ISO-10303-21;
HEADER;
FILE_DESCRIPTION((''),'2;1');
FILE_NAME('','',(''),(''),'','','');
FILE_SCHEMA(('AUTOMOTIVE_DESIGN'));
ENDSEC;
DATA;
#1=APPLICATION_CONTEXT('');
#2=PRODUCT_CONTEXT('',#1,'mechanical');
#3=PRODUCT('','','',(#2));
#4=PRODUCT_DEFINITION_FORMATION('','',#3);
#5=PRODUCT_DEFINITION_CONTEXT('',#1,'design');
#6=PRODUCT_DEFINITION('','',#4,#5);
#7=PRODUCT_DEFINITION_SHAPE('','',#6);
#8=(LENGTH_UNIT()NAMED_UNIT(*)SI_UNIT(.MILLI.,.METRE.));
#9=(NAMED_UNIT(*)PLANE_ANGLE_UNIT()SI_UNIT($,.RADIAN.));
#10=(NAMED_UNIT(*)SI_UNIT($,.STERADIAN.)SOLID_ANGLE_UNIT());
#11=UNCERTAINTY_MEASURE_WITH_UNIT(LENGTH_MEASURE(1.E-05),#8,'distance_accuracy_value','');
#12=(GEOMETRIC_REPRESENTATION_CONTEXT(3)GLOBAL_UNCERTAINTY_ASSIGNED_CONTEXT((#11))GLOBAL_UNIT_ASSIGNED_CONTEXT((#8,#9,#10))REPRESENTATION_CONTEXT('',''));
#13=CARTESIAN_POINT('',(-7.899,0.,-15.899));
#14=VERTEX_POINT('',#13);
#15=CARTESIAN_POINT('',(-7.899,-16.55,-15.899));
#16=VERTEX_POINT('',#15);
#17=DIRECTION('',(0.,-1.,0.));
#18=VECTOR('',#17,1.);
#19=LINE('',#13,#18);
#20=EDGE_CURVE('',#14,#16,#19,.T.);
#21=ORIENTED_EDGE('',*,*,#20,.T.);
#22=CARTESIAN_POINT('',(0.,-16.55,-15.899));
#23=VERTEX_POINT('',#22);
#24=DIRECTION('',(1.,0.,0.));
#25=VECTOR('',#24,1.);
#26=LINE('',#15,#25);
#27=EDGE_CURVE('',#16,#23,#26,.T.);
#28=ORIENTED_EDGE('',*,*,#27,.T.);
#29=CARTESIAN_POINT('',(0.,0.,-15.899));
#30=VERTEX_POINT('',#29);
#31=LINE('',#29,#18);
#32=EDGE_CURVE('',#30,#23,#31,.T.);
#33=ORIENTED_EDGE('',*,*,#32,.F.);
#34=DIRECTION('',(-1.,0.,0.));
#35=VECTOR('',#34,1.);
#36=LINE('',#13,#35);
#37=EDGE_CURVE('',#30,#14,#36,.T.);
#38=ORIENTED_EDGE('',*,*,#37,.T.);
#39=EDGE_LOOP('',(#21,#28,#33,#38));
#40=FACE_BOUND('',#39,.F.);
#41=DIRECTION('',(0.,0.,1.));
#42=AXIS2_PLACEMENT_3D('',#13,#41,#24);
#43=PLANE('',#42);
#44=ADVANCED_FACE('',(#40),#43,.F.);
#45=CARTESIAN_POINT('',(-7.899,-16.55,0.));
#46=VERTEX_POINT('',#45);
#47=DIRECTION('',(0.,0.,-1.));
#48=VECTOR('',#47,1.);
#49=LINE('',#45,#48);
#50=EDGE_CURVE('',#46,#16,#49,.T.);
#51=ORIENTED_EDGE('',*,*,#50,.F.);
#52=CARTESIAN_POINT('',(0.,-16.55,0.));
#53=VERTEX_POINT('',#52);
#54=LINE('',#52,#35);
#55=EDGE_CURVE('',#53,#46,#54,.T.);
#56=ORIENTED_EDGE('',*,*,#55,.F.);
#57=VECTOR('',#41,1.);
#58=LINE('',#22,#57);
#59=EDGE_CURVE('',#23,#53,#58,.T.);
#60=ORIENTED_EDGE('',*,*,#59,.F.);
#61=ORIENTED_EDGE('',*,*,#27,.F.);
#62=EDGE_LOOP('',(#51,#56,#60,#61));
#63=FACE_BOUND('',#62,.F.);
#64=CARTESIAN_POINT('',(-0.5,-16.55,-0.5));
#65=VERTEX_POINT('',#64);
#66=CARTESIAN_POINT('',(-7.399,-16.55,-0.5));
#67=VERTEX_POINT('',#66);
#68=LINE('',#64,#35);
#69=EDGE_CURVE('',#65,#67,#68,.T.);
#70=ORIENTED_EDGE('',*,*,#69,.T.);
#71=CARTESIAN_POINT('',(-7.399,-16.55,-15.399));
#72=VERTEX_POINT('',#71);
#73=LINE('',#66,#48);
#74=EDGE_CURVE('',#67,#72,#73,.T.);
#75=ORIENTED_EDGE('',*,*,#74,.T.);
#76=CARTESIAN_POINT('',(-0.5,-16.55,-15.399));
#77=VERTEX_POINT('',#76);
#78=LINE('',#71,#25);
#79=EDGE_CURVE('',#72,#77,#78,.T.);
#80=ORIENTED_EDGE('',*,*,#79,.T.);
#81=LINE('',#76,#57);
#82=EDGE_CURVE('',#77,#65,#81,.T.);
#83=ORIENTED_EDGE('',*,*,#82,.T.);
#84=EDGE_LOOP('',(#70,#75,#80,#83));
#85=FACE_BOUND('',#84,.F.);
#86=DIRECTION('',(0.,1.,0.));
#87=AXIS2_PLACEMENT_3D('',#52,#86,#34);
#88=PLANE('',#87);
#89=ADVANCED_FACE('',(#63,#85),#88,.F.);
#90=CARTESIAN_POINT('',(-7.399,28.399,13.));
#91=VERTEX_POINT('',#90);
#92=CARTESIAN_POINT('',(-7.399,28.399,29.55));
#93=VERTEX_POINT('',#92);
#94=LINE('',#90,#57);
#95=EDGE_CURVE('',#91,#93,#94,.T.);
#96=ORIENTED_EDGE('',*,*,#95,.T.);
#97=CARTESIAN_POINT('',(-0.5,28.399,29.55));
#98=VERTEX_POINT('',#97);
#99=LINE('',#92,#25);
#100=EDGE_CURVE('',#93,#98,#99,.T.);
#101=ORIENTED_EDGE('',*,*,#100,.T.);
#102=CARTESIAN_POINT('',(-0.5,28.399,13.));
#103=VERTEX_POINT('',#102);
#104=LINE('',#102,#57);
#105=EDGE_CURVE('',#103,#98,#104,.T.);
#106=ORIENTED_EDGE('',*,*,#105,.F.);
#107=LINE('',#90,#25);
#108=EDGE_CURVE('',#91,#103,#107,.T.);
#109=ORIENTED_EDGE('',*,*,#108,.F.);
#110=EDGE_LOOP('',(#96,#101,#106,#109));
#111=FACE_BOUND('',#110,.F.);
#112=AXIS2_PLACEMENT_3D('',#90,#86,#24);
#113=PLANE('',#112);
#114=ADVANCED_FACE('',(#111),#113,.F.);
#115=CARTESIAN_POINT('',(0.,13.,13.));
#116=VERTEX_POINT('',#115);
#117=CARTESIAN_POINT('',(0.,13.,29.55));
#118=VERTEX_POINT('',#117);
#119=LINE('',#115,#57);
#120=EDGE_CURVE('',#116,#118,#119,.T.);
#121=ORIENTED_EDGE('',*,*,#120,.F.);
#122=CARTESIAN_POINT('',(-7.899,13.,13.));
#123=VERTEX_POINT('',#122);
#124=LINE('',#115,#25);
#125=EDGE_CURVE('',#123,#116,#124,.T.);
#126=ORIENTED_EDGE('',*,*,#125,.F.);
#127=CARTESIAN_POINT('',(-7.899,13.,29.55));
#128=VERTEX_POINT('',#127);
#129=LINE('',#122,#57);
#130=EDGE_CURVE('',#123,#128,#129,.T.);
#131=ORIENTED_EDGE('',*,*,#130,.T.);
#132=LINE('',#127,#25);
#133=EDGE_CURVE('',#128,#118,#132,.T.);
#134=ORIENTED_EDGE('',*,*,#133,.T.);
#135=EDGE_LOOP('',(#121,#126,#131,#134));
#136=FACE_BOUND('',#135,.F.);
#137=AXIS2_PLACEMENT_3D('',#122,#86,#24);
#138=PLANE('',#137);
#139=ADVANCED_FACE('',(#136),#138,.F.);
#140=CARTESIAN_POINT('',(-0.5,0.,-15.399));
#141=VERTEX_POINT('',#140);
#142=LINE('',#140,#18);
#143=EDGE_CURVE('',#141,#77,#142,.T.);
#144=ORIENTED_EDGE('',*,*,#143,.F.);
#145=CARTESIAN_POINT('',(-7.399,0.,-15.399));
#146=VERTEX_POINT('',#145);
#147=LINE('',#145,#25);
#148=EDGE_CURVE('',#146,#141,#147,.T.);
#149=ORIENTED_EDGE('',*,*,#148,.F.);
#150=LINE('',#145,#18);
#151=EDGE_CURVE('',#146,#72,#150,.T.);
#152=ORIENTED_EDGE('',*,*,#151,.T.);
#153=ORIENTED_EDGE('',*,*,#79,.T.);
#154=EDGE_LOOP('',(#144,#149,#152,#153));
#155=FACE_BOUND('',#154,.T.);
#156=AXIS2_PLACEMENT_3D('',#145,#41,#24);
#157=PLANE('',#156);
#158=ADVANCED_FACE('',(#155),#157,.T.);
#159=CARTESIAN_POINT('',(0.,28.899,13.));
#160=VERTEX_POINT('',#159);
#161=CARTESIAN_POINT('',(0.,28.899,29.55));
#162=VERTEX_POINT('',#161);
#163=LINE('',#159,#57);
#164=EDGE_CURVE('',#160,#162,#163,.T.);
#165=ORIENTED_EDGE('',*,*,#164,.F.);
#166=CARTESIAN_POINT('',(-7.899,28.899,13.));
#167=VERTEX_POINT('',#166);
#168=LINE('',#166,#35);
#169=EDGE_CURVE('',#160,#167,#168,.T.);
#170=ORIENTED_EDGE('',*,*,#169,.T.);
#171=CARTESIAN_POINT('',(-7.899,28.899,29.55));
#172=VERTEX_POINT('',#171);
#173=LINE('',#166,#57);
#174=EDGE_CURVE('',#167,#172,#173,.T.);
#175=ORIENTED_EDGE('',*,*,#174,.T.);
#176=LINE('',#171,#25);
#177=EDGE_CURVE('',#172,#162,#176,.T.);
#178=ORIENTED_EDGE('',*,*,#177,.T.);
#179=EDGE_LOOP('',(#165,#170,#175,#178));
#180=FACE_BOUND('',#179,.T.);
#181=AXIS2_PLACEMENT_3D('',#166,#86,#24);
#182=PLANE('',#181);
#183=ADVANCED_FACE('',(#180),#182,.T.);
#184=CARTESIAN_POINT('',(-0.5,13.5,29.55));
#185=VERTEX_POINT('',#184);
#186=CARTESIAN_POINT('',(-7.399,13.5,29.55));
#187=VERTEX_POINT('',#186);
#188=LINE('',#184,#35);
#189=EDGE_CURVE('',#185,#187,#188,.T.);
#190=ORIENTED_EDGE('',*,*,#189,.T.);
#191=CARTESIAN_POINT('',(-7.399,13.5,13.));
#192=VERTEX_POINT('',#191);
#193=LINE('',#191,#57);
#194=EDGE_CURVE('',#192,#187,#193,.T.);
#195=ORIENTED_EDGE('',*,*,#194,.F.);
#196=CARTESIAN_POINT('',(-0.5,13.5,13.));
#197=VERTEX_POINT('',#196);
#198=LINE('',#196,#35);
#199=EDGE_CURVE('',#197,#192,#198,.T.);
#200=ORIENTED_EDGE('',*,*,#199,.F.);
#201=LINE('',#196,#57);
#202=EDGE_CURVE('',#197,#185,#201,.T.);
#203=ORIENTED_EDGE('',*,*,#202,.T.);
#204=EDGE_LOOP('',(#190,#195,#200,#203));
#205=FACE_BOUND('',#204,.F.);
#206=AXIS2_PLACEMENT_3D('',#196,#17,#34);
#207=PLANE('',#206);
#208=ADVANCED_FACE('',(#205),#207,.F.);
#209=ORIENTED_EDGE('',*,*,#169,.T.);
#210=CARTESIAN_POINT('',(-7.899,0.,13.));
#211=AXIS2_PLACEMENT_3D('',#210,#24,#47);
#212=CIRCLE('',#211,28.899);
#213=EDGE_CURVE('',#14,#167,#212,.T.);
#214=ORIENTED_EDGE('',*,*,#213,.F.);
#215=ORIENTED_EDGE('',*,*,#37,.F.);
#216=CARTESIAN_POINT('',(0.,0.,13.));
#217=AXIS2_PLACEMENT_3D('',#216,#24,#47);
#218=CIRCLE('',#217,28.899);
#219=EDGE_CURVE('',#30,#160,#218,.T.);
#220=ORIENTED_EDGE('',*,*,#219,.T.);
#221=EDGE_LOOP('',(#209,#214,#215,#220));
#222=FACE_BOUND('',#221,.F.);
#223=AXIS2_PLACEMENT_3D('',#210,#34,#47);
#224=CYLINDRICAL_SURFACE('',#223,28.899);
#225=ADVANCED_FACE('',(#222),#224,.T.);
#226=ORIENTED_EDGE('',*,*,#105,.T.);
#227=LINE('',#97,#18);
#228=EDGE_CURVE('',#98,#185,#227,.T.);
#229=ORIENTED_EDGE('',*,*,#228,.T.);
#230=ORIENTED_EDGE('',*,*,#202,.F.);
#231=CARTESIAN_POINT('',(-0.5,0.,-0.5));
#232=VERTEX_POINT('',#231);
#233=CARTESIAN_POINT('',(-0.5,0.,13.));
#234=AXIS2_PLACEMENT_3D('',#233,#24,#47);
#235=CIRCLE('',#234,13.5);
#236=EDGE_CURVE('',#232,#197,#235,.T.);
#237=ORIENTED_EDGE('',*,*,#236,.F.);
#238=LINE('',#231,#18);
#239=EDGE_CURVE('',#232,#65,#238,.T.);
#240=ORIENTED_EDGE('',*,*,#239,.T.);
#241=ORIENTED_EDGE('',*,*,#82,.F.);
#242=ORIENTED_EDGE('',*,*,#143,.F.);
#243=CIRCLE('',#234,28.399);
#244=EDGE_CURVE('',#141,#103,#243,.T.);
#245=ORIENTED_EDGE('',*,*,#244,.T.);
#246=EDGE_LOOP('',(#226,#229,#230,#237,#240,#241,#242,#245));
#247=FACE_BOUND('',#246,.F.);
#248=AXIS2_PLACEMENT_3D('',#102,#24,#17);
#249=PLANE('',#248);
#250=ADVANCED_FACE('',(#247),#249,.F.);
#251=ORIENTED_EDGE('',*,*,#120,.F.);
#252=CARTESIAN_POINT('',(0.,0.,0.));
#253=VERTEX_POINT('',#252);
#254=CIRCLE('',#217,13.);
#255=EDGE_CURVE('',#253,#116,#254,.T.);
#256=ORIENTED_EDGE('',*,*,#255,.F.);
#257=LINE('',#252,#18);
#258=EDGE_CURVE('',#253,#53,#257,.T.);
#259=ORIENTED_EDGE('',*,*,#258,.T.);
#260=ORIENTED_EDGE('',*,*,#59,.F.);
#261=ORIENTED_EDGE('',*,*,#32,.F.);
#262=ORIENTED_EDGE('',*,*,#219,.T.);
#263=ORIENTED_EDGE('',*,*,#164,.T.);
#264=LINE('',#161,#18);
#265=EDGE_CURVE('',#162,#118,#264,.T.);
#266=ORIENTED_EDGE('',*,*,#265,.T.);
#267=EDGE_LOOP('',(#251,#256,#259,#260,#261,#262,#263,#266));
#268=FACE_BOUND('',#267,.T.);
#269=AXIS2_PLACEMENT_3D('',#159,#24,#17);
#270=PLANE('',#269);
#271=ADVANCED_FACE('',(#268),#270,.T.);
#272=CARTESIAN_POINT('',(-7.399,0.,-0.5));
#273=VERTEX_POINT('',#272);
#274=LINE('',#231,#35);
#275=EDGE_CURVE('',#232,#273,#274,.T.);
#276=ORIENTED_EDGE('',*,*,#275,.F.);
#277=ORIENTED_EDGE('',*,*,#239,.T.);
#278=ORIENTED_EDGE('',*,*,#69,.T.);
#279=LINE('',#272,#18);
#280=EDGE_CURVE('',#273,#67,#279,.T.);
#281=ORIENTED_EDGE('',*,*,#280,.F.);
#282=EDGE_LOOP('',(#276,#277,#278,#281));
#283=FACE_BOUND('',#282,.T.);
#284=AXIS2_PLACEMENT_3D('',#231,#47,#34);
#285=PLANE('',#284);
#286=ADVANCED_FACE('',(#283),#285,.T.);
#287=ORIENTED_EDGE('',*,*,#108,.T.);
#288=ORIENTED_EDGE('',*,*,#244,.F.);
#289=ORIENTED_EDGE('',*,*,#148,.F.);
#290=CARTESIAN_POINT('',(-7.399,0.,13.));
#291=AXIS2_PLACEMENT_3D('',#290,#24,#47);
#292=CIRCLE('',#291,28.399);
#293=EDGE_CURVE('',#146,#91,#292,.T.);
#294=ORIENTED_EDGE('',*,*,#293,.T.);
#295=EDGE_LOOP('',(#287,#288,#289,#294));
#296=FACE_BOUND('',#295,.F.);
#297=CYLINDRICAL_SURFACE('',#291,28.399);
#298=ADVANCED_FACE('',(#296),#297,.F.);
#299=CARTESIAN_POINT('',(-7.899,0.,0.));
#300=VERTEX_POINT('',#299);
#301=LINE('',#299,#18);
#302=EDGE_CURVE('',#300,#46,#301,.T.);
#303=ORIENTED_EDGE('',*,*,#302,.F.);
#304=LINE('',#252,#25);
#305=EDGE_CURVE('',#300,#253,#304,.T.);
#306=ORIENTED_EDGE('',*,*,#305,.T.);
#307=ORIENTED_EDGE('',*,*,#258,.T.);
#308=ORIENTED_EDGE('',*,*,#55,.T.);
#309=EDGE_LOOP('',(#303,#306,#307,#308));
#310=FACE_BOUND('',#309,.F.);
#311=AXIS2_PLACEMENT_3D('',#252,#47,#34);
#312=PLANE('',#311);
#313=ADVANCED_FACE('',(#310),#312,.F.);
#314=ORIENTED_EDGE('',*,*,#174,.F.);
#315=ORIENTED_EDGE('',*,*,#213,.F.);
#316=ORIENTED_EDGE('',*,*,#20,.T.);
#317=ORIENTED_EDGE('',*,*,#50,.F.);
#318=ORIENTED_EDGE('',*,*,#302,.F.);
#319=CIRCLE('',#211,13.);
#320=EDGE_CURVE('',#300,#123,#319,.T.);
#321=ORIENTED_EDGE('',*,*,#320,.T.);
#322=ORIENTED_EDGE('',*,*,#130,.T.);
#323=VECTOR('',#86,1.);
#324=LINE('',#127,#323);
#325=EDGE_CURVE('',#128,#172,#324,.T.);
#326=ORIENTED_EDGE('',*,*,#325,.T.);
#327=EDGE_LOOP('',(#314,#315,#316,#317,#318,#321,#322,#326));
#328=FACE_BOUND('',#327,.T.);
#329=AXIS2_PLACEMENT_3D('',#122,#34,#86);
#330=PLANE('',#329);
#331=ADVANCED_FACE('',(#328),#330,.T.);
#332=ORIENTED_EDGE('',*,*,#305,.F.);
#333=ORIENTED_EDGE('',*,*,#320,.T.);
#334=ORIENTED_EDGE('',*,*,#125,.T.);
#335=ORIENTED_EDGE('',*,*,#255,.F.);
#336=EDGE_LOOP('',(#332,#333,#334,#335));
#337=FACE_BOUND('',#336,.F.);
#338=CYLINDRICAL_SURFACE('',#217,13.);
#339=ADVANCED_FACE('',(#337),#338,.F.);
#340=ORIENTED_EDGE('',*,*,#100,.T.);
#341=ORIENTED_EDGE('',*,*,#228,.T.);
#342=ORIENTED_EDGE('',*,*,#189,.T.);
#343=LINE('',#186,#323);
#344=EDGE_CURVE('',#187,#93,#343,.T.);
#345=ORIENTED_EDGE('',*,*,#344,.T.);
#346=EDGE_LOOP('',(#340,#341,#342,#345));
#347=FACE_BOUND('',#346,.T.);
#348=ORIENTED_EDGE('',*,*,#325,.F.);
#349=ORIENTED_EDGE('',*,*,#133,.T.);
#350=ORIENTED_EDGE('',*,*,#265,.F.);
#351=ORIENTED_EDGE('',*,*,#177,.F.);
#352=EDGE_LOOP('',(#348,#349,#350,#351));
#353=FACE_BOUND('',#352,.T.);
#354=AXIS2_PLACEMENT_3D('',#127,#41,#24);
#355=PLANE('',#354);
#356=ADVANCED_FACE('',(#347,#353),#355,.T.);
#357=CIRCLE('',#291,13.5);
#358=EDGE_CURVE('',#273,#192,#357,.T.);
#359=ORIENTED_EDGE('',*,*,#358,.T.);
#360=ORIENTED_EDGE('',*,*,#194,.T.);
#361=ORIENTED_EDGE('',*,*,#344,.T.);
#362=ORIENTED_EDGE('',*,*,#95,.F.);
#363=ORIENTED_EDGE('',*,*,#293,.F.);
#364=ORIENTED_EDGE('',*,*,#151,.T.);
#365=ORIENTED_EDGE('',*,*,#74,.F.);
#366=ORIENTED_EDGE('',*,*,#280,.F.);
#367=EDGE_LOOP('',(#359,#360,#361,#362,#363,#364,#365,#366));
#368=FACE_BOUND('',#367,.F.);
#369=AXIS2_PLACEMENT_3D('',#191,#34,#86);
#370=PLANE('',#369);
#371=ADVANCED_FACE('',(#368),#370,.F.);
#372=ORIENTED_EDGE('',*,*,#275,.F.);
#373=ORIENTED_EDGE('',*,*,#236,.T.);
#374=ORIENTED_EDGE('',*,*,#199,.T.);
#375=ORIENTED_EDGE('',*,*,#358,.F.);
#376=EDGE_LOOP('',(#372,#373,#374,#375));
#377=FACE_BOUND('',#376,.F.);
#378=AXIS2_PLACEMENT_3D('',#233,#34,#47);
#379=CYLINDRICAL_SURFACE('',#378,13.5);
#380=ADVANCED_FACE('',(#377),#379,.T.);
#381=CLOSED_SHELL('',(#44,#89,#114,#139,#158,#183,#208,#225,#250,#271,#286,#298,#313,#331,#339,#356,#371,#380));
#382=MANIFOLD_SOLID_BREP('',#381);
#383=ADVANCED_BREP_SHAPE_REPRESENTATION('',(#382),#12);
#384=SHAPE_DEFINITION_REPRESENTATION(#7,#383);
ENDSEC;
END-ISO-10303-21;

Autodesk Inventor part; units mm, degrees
ref_plane "YZ Plane" through (0, 0, 0) normal (1, 0, 0) x (0, 1, 0)
ref_plane "XZ Plane" through (0, 0, 0) normal (0, 1, 0) x (-1, 0, 0)
ref_plane "XY Plane" through (0, 0, 0) normal (0, 0, 1) x (1, 0, 0)
sketch "Sketch1" plane through (0, 0, 0) normal (0, 1, 0) x (-1, 0, 0)
  line L0 (0, 0) -> (7.899, 0)
  line L1 (7.899, 0) -> (7.899, -15.899)
  line L2 (7.899, -15.899) -> (0, -15.899)
  line L3 (0, -15.899) -> (0, 0)
  line L4 (0.5, -0.5) -> (7.399, -0.5)
  line L5 (7.399, -0.5) -> (7.399, -15.399)
  line L6 (7.399, -15.399) -> (0.5, -15.399)
  line L7 (0.5, -15.399) -> (0.5, -0.5)
  dimension "d0" = 7.899
  dimension "d1" = 15.899
  dimension "d2" = 14.899
  dimension "d3" = 6.899
  dimension "d4" = 0.5
  dimension "d5" = 0.5
sketch "Sketch3" plane through (0, 0, 0) normal (1, 0, 0) x (0, 1, 0)
  arc A0 (0, 0) -> (13, 13) centre (0, 13) ccw
  line L0 (0, 13) -> (13, 13) construction
  line L1 (0, 13) -> (0, 0) construction
  dimension "d6" = 90
  dimension "d7" = 13
sweep "Sweep1" add profiles "Sketch1" path "Sketch3"
extrude "Extrusion1" add sketch "Sketch1" against normal blind 16.55
ref_plane "Work Plane1" through (-7.899, 13, 13) normal (0, 0, 1) x (1, 0, 0)
sketch "Sketch4" plane through (-7.899, 13, 13) normal (0, 0, 1) x (1, 0, 0)
  line L0 (0, 0) -> (7.899, 0)
  line L1 (0, 0) -> (0, 15.899)
  line L2 (0, 15.899) -> (7.899, 15.899)
  line L3 (7.899, 15.899) -> (7.899, 0)
  line L4 (0.5, 15.399) -> (7.399, 15.399)
  line L5 (7.399, 15.399) -> (7.399, 0.5)
  line L6 (7.399, 0.5) -> (0.5, 0.5)
  line L7 (7.399, 0.5) -> (0.5, 0.5) projected
  line L8 (0.5, 0.5) -> (0.5, 15.399)
extrude "Extrusion2" add sketch "Sketch4" along normal blind 16.55
properties part number "curved waveguide"
